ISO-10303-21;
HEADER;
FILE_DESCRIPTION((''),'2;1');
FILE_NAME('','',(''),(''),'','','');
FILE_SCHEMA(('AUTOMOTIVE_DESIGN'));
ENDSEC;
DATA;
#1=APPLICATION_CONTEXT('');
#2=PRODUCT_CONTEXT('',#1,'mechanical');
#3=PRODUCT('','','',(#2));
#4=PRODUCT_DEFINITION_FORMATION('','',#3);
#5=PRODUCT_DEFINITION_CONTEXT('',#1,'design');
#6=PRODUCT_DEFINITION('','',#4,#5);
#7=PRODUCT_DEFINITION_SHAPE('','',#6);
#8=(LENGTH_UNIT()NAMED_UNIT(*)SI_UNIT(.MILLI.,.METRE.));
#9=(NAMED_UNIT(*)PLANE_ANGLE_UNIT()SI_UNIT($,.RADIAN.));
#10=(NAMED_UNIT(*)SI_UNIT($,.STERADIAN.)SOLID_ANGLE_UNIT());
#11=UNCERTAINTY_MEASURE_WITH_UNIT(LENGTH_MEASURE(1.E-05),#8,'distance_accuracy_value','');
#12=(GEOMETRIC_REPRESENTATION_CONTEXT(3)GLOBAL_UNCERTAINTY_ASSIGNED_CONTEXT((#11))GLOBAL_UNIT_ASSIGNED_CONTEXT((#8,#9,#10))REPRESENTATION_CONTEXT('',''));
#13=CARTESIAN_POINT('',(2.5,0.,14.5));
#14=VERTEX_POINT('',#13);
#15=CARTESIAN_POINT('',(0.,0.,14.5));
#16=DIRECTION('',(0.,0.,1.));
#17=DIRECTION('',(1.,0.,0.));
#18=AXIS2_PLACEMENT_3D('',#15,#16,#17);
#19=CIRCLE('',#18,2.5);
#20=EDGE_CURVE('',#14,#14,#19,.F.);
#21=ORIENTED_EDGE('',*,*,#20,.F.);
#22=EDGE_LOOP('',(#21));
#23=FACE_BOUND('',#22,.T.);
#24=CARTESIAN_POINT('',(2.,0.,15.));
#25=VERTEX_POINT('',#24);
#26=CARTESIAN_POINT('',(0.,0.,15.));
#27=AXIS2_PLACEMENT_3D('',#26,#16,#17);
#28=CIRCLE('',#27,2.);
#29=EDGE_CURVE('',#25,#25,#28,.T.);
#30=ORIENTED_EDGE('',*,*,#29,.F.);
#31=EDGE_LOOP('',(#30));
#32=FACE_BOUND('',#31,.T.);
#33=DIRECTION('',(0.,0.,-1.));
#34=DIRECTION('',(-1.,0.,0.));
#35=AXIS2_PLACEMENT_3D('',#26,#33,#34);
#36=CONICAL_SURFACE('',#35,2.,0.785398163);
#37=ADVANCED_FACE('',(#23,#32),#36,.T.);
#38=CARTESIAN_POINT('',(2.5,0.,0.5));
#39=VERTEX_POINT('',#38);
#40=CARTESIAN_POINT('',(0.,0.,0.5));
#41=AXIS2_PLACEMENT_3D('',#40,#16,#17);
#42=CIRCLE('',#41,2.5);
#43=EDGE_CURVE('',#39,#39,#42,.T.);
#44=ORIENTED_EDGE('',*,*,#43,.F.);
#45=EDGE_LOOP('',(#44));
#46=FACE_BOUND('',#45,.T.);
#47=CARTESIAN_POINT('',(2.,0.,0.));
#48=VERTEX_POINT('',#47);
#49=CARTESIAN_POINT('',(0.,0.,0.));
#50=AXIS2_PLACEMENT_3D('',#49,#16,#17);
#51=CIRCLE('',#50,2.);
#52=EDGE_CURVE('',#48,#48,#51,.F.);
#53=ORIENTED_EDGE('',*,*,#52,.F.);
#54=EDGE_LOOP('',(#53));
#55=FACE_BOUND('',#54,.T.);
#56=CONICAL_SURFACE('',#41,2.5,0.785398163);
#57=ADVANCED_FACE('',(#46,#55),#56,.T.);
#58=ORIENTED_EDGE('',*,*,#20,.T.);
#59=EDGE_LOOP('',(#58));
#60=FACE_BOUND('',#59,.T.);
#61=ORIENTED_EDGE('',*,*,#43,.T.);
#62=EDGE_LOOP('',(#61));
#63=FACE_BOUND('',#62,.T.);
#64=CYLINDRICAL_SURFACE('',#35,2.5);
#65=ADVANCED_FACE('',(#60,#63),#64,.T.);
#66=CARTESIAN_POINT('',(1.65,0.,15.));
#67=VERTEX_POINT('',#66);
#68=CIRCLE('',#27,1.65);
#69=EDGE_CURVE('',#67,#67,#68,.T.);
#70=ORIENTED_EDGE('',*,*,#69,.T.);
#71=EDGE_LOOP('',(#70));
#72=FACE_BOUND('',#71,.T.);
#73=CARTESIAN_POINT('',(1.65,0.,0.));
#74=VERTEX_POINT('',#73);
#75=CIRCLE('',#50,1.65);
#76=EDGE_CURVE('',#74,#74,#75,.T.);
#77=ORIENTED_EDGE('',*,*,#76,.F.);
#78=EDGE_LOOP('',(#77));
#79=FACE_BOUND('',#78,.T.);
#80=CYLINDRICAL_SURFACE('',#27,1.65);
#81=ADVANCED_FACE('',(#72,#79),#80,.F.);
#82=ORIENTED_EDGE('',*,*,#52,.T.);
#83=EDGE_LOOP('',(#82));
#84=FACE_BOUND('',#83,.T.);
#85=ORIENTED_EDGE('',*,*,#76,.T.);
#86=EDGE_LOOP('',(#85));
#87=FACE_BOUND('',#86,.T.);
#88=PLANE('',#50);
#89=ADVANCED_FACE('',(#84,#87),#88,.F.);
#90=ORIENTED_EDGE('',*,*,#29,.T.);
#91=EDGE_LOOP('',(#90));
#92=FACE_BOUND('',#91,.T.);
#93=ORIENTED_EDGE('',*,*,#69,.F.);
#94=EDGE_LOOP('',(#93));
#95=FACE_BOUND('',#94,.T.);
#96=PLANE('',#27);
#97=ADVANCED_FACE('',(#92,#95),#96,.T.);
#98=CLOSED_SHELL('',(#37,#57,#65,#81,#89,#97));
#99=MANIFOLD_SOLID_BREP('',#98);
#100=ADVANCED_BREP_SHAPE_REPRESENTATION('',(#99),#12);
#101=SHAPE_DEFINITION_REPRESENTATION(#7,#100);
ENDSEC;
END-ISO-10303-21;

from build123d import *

# Parameters (mm, degrees)
ESQUISSE1_R       = 2.5
EXTRUSION1_DEPTH  = 15
CHANFREIN1_SIZE   = 0.5
TROU_TARAUD_M41_D = 3.3


with BuildPart() as part:
    # Esquisse1 → Extrusion1 (new body)
    with BuildSketch(Plane.XY):
        Circle(ESQUISSE1_R)
    extrude(amount=EXTRUSION1_DEPTH)

    # Chanfrein1
    chanfrein1_edges = [part.edges().sort_by_distance(p)[0] for p in [
        (-2.5, 0, 0),
        (-2.5, 0, 15),
    ]]
    chamfer(chanfrein1_edges, length=CHANFREIN1_SIZE)

    # Trou taraudé M41 (through all)
    with Locations(Plane.XY.offset(15)):
        with Locations((0, 0)):
            Hole(TROU_TARAUD_M41_D / 2)


solid = part.part
